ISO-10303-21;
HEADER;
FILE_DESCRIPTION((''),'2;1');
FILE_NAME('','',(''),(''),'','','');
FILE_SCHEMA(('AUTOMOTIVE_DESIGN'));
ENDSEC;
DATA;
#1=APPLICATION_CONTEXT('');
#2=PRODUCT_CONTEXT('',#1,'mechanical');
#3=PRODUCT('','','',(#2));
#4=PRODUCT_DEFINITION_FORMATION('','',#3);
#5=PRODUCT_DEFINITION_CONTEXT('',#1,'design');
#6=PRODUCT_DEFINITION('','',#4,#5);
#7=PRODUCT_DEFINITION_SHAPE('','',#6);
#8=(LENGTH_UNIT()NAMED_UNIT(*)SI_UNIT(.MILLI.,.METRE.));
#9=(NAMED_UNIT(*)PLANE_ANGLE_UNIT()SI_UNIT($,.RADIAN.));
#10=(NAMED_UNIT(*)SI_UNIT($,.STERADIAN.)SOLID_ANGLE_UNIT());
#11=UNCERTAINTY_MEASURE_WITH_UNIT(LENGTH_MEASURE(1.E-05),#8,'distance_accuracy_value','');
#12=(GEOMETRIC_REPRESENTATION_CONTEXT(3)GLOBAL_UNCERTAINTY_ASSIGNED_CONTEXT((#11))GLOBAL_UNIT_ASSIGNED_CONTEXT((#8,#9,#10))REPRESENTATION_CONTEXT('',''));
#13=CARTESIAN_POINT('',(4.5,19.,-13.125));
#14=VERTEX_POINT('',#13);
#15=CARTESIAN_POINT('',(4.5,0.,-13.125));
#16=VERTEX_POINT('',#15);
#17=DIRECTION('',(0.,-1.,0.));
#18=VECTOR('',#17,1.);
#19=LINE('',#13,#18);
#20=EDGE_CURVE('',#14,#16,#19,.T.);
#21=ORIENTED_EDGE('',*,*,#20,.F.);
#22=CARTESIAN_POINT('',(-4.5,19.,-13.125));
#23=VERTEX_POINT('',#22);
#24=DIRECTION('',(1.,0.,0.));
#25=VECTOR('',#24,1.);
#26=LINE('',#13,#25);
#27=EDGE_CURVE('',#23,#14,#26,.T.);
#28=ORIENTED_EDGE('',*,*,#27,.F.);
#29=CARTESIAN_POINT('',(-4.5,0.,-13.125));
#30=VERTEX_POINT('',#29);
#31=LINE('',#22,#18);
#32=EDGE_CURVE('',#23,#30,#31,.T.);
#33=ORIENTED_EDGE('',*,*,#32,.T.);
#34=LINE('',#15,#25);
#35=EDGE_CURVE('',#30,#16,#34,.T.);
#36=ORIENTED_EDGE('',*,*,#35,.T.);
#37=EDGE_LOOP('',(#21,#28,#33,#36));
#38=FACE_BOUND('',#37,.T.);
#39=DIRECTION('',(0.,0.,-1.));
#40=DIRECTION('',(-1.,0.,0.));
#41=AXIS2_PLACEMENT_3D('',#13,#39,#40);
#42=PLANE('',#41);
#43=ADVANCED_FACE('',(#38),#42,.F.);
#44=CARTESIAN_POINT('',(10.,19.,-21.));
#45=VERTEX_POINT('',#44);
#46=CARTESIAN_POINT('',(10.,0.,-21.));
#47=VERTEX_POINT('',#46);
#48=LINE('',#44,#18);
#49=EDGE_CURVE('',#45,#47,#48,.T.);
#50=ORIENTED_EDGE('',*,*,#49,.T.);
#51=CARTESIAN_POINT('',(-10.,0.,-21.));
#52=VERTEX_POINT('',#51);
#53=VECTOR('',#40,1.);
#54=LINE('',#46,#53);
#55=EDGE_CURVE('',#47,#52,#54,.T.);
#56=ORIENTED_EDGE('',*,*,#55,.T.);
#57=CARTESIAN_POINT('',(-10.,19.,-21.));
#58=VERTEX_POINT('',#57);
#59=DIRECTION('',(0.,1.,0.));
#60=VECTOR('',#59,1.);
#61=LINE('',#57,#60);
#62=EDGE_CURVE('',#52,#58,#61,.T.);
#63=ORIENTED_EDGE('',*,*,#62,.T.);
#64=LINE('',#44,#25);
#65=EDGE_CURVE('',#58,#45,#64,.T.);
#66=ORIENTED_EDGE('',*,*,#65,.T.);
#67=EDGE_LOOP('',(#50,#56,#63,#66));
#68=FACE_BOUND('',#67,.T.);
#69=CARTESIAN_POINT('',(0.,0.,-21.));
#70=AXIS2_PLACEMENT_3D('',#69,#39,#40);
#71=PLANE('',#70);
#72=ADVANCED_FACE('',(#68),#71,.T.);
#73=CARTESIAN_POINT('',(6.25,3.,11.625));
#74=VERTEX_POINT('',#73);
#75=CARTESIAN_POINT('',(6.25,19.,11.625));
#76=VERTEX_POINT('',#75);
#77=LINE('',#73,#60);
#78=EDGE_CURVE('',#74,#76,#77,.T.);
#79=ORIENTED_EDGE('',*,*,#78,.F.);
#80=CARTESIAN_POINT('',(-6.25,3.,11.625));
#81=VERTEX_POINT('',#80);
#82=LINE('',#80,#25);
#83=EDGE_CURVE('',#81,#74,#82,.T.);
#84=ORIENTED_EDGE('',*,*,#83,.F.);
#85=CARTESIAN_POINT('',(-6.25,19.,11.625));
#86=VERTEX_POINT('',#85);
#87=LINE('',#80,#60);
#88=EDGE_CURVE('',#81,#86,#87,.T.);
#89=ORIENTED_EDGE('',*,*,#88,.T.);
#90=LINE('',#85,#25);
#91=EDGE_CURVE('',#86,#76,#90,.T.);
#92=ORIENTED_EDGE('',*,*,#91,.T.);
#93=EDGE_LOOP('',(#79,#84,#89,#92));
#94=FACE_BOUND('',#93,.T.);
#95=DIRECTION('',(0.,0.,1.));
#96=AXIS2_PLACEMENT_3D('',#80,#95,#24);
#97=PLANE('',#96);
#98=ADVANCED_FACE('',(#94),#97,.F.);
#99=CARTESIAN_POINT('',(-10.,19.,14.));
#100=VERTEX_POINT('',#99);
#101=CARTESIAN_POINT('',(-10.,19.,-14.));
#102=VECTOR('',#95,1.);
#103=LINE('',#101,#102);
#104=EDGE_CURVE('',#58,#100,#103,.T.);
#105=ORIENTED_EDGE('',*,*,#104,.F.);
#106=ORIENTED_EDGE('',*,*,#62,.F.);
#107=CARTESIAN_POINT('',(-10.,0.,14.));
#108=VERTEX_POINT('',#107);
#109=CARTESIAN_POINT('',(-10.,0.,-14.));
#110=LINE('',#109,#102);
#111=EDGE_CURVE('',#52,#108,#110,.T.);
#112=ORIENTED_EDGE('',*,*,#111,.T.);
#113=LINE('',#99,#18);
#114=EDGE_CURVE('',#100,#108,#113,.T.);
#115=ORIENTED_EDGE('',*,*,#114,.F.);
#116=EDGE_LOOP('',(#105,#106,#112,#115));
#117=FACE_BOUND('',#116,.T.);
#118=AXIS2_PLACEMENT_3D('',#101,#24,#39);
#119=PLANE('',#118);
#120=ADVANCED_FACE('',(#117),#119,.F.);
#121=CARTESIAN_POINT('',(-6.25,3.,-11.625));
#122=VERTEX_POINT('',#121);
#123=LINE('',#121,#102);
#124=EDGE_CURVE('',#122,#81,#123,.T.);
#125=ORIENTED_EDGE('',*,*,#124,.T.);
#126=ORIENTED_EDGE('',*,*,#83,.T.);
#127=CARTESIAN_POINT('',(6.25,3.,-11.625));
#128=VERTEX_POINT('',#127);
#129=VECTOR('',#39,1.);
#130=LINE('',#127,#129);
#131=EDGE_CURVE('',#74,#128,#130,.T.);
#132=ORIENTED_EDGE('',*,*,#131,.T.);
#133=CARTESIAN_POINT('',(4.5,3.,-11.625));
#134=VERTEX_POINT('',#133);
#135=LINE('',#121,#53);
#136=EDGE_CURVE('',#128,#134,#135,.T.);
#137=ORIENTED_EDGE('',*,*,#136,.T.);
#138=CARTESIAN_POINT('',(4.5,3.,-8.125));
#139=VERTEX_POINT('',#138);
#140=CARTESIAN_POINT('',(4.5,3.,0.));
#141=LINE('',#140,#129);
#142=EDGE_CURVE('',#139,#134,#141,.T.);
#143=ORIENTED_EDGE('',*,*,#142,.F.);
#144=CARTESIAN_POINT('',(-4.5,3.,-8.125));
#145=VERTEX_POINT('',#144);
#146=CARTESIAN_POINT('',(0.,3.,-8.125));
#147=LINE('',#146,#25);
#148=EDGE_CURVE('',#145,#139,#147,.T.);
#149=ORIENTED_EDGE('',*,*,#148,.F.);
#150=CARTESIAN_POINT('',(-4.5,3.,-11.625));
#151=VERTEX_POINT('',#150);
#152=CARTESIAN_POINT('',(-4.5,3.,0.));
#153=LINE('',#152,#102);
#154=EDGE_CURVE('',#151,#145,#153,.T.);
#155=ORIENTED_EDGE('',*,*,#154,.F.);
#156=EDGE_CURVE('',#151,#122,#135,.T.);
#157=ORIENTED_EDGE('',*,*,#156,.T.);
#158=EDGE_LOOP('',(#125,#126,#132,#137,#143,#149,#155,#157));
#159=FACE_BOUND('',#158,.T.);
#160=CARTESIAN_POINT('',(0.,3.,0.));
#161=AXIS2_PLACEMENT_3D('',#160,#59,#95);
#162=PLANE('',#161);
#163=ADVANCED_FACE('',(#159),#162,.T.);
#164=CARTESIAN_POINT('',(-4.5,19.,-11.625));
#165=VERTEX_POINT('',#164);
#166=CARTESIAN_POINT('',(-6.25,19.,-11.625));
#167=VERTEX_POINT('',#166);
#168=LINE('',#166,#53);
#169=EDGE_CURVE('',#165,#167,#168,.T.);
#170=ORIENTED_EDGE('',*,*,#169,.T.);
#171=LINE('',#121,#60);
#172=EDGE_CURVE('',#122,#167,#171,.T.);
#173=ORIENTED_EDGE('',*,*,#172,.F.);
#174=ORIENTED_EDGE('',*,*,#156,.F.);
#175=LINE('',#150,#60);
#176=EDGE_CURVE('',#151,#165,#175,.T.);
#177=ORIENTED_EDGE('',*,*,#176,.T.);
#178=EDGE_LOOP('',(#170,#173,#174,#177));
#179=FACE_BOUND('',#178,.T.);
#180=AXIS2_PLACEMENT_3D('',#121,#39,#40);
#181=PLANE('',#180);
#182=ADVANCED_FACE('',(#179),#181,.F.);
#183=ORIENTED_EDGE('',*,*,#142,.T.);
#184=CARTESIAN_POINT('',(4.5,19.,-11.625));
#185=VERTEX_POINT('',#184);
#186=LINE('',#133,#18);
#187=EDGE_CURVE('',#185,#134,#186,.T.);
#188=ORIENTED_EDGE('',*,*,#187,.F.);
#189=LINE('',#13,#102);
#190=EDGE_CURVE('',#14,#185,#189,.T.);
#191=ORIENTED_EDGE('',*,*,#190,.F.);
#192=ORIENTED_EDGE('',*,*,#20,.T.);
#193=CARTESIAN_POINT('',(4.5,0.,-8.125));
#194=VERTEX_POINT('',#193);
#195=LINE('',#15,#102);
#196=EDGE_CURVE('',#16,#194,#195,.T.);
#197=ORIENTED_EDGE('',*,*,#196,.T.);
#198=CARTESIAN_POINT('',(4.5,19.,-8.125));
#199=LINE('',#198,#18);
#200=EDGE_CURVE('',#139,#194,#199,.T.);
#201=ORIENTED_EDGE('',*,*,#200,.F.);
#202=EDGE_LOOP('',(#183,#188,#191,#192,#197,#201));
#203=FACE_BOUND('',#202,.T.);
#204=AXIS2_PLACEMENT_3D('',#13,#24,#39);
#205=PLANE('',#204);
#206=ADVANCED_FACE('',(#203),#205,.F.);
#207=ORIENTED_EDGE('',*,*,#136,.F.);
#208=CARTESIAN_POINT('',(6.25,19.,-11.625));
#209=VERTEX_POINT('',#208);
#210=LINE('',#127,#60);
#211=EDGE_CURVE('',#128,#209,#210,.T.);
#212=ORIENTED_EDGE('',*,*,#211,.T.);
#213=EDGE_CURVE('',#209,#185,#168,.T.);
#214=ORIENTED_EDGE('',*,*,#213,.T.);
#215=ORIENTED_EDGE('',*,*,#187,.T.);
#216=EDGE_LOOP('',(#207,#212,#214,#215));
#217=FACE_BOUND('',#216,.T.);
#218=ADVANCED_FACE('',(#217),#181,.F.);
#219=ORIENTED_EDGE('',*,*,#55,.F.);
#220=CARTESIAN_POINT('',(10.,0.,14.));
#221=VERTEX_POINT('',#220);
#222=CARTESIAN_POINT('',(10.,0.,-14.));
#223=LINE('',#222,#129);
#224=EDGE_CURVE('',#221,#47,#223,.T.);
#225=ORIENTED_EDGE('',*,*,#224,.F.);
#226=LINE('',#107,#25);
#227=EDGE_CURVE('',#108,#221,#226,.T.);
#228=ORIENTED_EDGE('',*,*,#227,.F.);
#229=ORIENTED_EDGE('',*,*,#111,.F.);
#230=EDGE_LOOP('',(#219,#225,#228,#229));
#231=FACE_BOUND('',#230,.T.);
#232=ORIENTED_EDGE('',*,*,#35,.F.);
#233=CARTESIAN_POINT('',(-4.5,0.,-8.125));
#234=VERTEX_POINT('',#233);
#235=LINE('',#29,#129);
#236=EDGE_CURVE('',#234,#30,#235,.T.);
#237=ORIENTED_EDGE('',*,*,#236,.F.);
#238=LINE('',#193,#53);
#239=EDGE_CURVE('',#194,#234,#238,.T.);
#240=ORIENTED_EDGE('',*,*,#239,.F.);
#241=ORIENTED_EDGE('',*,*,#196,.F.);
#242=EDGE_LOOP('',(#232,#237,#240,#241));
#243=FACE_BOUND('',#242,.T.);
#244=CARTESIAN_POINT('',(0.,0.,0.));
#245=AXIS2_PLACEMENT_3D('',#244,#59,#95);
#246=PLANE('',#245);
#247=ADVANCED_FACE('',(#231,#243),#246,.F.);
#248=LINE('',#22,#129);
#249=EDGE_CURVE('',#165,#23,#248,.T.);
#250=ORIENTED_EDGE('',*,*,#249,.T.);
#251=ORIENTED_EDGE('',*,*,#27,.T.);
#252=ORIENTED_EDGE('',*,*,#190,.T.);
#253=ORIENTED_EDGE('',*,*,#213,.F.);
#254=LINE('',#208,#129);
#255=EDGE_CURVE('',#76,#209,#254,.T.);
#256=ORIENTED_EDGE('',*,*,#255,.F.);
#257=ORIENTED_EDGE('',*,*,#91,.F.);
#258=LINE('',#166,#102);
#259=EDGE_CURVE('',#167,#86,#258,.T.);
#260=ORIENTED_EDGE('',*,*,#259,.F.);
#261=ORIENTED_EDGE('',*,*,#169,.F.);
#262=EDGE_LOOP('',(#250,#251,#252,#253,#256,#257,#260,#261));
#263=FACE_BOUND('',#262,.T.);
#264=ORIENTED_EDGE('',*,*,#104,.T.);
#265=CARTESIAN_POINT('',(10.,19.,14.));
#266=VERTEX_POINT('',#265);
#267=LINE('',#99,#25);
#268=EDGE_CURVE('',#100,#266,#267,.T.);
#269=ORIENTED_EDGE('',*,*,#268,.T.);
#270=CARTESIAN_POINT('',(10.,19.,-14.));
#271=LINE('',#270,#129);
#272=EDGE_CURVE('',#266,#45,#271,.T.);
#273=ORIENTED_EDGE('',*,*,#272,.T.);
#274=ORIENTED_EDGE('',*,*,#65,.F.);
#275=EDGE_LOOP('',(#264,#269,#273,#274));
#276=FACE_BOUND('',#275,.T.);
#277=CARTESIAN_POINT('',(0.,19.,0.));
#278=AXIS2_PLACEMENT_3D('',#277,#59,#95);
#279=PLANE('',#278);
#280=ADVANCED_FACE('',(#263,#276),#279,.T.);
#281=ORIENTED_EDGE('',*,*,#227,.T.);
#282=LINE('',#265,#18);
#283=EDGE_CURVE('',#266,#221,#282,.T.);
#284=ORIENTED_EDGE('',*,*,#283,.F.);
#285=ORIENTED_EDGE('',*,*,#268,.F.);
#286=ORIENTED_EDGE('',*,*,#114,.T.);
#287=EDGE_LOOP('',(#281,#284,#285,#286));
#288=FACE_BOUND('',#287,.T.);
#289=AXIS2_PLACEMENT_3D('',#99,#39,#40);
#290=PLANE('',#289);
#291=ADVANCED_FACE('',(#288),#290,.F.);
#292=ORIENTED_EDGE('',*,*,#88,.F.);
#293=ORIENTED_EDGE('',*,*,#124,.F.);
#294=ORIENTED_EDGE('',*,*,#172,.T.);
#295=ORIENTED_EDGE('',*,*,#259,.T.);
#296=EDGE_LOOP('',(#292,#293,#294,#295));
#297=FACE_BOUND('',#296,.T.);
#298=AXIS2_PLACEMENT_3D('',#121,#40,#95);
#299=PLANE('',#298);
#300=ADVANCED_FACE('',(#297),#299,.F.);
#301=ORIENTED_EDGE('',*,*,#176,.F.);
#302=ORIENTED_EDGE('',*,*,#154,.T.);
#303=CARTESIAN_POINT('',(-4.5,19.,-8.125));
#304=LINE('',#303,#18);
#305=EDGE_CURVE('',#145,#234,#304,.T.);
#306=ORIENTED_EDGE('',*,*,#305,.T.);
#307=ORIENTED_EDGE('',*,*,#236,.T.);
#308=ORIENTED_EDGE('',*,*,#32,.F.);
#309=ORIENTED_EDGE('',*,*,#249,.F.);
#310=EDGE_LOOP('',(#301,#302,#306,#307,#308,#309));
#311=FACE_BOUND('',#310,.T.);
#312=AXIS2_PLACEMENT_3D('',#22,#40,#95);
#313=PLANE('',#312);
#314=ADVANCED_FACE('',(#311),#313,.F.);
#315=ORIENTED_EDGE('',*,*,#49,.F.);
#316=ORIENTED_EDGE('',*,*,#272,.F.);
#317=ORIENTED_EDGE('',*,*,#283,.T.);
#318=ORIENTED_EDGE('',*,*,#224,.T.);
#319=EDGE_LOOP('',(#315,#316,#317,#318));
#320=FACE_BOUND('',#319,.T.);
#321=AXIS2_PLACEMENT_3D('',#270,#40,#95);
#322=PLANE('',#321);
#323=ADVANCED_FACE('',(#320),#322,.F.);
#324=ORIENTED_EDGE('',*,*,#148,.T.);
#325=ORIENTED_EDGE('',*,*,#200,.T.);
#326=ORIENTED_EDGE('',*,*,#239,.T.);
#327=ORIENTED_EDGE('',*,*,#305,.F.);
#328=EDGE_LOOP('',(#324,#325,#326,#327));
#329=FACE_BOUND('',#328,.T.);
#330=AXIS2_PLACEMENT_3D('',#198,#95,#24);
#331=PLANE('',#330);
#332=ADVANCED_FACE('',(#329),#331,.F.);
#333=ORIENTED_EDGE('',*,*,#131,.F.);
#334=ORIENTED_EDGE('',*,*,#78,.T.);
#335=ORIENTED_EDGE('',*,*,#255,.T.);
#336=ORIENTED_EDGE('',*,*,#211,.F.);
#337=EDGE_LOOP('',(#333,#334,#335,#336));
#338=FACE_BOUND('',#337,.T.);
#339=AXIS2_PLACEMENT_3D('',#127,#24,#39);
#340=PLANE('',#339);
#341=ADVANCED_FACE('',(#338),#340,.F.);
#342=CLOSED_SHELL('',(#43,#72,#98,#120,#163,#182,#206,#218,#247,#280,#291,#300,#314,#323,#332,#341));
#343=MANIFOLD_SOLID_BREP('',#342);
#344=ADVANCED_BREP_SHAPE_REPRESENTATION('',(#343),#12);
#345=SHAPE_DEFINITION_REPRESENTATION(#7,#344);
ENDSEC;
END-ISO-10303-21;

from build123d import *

# Parameters (mm, degrees)
SKETCH2_W           = 20
SKETCH2_H           = 28
BOSS_EXTRUDE1_DEPTH = 19
SKETCH3_W           = 12.5
SKETCH3_H           = 23.25
CUT_EXTRUDE1_DEPTH  = 16
SKETCH4_W           = 20
SKETCH4_H           = 19
BOSS_EXTRUDE3_DEPTH = 7
SKETCH5_W           = 9
SKETCH5_H           = 5
CUT_EXTRUDE2_DEPTH  = 31.033314835


with BuildPart() as part:
    # Sketch2 → Boss-Extrude1 (new body)
    with BuildSketch(Plane(origin=(0, 0, 0), x_dir=(1, 0, 0), z_dir=(0, 1, 0))):
        Rectangle(SKETCH2_W, SKETCH2_H)
    extrude(amount=BOSS_EXTRUDE1_DEPTH)

    # Sketch3 → Cut-Extrude1 (cut)
    with BuildSketch(Plane(origin=(0, 19, 0), x_dir=(1, 0, 0), z_dir=(0, 1, 0))):
        Rectangle(SKETCH3_W, SKETCH3_H)
    extrude(amount=-CUT_EXTRUDE1_DEPTH, mode=Mode.SUBTRACT)

    # Sketch4 → Boss-Extrude3 (add)
    with BuildSketch(Plane(origin=(0, 0, -14), x_dir=(-1, 0, 0), z_dir=(0, 0, -1))):
        with Locations((0, 9.5)):
            Rectangle(SKETCH4_W, SKETCH4_H)
    extrude(amount=BOSS_EXTRUDE3_DEPTH)

    # Sketch5 → Cut-Extrude2 (cut, through all)
    with BuildSketch(Plane.XZ):
        with Locations((0, -10.625)):
            Rectangle(SKETCH5_W, SKETCH5_H)
    extrude(amount=-CUT_EXTRUDE2_DEPTH, mode=Mode.SUBTRACT)


solid = part.part
